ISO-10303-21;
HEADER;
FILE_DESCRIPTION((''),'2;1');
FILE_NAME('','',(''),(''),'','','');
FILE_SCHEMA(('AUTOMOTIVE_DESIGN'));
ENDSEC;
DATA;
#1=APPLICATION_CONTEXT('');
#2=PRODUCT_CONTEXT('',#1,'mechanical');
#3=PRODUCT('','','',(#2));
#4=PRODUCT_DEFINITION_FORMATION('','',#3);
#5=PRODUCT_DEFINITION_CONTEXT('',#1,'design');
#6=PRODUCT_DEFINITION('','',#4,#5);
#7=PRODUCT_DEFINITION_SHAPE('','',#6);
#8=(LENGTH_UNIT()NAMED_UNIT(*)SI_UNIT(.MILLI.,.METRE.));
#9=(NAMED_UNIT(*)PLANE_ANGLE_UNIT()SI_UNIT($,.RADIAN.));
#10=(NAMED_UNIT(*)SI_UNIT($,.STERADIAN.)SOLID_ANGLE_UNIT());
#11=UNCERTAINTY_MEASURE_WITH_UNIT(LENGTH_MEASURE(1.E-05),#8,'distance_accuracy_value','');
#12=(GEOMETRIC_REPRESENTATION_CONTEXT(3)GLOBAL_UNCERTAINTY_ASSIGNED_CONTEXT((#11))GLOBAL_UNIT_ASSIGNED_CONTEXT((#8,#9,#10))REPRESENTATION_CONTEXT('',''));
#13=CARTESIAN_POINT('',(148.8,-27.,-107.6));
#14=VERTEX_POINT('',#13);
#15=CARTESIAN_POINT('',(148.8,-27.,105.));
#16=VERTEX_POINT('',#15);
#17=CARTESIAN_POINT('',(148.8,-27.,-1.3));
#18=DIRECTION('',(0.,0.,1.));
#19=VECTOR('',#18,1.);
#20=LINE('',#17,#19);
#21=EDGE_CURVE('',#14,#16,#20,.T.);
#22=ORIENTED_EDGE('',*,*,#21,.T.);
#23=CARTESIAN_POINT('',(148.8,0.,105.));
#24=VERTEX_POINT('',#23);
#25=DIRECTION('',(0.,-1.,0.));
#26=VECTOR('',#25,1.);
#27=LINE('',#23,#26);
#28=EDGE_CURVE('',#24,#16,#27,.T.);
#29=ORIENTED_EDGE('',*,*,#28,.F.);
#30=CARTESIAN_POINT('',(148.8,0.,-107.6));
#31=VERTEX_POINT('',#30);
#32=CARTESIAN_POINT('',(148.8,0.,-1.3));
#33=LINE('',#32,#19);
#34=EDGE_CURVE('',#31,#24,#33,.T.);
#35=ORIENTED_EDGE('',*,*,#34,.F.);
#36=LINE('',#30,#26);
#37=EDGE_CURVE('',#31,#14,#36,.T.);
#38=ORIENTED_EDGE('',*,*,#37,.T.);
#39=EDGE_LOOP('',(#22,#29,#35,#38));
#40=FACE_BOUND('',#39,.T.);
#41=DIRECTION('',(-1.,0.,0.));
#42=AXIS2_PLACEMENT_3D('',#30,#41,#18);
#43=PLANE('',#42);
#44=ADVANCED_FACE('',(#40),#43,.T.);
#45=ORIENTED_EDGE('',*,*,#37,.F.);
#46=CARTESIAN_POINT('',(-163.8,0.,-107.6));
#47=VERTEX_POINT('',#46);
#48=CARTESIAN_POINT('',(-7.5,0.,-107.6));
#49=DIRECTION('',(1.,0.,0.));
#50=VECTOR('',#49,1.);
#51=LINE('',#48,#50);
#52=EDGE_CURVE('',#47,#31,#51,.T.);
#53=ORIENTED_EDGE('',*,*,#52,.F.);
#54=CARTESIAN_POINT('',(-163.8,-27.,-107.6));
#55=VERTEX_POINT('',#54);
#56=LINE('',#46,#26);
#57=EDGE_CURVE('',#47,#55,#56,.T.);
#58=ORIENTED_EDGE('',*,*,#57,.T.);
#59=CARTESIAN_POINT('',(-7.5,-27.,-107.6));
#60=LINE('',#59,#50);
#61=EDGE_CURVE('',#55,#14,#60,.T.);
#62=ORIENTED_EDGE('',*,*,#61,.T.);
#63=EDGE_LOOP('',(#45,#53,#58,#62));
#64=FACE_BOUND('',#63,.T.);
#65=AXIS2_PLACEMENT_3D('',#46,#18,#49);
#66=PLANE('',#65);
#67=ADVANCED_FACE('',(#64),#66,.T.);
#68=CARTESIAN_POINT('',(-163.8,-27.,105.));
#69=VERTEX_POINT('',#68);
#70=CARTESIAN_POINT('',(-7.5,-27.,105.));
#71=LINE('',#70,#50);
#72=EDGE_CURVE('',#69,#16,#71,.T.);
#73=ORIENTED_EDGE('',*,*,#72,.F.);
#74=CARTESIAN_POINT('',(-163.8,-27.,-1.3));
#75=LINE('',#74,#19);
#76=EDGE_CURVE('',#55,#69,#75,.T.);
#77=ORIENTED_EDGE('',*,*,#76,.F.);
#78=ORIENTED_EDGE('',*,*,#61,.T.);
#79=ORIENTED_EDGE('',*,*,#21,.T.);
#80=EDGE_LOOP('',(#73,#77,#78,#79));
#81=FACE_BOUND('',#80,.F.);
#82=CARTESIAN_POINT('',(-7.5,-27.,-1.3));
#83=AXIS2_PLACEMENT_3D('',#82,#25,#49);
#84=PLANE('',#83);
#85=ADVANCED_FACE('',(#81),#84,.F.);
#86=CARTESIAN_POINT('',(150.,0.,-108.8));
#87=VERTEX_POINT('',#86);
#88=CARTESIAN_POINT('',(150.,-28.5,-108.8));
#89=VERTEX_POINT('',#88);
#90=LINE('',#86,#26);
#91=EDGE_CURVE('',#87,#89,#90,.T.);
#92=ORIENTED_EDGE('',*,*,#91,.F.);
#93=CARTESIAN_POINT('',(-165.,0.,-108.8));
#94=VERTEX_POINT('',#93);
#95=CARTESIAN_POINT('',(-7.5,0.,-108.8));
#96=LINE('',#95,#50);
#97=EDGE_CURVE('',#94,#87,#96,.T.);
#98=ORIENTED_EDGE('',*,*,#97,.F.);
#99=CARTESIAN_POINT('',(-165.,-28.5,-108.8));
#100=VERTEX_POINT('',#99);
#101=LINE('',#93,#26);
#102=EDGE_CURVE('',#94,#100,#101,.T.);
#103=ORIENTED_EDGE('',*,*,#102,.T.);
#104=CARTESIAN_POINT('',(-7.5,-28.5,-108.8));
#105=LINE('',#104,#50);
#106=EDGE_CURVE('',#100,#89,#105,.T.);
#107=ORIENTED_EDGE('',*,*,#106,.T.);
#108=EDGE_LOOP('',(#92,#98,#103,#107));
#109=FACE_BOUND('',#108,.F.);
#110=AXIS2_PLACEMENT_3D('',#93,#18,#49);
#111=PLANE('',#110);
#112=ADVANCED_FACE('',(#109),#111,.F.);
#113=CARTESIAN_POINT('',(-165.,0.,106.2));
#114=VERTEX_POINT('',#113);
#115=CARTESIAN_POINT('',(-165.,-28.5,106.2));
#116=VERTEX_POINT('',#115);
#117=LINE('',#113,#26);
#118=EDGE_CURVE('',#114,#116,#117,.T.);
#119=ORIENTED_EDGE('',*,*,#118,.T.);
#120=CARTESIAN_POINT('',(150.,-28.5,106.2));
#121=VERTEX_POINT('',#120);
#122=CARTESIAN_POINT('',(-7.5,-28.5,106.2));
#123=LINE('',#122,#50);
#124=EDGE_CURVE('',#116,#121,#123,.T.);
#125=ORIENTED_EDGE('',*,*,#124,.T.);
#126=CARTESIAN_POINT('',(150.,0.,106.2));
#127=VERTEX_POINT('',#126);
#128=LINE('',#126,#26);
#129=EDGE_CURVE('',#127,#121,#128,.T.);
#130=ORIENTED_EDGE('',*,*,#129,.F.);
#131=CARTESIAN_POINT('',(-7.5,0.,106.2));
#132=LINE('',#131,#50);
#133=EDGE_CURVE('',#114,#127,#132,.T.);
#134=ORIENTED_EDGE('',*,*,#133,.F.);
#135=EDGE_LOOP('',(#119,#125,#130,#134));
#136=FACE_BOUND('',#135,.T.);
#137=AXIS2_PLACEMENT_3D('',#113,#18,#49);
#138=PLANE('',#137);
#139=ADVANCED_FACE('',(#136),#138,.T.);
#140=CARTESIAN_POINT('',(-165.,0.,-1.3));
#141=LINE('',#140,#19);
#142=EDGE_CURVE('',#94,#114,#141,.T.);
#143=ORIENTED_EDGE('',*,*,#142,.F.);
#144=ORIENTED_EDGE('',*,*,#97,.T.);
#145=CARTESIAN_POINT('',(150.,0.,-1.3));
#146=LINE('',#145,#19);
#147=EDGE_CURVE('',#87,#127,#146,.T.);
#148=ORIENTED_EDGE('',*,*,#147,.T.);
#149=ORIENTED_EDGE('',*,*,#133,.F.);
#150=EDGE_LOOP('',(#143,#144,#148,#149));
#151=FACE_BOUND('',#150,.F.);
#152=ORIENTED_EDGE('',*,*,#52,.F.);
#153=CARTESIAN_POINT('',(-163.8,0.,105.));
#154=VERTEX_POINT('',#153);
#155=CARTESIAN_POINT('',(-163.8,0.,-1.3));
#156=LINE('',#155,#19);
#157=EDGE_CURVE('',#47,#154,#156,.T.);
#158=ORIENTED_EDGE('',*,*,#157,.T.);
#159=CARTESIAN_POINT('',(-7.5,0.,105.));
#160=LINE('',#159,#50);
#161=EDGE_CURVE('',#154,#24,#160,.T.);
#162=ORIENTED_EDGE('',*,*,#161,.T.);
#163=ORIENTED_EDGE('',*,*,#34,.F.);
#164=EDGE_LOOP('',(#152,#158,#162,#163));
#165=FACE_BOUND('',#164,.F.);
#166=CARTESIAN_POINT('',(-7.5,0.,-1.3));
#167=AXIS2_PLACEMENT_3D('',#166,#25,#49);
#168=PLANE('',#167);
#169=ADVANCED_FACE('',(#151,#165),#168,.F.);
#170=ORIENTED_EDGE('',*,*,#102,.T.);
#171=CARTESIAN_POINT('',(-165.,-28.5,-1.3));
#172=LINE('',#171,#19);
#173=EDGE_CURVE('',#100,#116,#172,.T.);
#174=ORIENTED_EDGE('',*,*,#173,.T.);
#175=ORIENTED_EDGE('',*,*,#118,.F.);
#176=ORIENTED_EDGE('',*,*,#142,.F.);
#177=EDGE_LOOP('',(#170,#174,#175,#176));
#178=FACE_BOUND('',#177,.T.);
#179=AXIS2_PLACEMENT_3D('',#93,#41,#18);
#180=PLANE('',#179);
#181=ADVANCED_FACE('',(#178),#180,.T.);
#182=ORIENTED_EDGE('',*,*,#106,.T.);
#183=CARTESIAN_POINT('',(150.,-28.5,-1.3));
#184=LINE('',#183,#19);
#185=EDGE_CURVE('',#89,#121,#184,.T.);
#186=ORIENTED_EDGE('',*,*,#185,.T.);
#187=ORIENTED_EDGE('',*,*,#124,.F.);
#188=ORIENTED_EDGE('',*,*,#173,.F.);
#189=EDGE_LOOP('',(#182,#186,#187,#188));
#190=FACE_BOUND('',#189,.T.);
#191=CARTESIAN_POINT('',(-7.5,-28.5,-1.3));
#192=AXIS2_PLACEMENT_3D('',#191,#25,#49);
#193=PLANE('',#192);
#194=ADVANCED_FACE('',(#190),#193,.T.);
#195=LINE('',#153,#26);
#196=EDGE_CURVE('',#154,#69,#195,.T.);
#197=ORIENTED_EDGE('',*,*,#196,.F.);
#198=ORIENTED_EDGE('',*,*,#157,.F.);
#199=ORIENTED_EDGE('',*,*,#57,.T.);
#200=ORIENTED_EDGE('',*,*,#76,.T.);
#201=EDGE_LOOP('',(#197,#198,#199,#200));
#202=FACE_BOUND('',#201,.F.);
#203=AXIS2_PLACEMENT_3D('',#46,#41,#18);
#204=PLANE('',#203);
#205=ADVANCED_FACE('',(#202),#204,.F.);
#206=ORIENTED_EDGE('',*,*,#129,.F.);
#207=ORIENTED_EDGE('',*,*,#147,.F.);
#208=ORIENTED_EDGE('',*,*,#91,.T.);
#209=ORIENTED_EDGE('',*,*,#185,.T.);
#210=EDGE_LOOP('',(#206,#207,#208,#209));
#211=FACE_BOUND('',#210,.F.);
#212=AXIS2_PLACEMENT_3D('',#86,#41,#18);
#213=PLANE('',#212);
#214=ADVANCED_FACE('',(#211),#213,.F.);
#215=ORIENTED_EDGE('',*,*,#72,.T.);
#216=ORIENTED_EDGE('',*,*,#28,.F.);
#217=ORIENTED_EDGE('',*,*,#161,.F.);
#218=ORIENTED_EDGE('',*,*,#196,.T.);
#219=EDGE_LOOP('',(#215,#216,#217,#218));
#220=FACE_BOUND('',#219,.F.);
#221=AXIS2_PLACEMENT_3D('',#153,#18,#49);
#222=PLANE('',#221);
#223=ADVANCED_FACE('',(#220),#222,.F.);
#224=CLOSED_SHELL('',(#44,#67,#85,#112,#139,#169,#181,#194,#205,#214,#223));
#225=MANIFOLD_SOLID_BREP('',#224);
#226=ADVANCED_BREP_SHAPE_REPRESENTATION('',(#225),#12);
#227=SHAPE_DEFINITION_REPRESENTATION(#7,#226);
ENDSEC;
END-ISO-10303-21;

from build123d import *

# Parameters (mm, degrees)
F0_W     = 315
F0_H     = 215
F0_W_2   = 312.6
F0_H_2   = 212.6
F1_DEPTH = 28.5
F2_W     = 312.6
F2_H     = 212.6
F3_DEPTH = 1.5


with BuildPart() as f1:
    # F0 (on Front) → F1 (new body)
    with BuildSketch(Plane.XZ):
        with Locations((-7.5, -1.3)):
            Rectangle(F0_W, F0_H)
        with Locations((-7.5, -1.3)):
            Rectangle(F0_W_2, F0_H_2, mode=Mode.SUBTRACT)
    extrude(amount=F1_DEPTH)

    # F2 (on face) → F3 (join)
    with BuildSketch(Plane.XZ.offset(28.5)):
        with Locations((-7.5, -1.3)):
            Rectangle(F2_W, F2_H)
    extrude(amount=-F3_DEPTH)


solid = f1.part
